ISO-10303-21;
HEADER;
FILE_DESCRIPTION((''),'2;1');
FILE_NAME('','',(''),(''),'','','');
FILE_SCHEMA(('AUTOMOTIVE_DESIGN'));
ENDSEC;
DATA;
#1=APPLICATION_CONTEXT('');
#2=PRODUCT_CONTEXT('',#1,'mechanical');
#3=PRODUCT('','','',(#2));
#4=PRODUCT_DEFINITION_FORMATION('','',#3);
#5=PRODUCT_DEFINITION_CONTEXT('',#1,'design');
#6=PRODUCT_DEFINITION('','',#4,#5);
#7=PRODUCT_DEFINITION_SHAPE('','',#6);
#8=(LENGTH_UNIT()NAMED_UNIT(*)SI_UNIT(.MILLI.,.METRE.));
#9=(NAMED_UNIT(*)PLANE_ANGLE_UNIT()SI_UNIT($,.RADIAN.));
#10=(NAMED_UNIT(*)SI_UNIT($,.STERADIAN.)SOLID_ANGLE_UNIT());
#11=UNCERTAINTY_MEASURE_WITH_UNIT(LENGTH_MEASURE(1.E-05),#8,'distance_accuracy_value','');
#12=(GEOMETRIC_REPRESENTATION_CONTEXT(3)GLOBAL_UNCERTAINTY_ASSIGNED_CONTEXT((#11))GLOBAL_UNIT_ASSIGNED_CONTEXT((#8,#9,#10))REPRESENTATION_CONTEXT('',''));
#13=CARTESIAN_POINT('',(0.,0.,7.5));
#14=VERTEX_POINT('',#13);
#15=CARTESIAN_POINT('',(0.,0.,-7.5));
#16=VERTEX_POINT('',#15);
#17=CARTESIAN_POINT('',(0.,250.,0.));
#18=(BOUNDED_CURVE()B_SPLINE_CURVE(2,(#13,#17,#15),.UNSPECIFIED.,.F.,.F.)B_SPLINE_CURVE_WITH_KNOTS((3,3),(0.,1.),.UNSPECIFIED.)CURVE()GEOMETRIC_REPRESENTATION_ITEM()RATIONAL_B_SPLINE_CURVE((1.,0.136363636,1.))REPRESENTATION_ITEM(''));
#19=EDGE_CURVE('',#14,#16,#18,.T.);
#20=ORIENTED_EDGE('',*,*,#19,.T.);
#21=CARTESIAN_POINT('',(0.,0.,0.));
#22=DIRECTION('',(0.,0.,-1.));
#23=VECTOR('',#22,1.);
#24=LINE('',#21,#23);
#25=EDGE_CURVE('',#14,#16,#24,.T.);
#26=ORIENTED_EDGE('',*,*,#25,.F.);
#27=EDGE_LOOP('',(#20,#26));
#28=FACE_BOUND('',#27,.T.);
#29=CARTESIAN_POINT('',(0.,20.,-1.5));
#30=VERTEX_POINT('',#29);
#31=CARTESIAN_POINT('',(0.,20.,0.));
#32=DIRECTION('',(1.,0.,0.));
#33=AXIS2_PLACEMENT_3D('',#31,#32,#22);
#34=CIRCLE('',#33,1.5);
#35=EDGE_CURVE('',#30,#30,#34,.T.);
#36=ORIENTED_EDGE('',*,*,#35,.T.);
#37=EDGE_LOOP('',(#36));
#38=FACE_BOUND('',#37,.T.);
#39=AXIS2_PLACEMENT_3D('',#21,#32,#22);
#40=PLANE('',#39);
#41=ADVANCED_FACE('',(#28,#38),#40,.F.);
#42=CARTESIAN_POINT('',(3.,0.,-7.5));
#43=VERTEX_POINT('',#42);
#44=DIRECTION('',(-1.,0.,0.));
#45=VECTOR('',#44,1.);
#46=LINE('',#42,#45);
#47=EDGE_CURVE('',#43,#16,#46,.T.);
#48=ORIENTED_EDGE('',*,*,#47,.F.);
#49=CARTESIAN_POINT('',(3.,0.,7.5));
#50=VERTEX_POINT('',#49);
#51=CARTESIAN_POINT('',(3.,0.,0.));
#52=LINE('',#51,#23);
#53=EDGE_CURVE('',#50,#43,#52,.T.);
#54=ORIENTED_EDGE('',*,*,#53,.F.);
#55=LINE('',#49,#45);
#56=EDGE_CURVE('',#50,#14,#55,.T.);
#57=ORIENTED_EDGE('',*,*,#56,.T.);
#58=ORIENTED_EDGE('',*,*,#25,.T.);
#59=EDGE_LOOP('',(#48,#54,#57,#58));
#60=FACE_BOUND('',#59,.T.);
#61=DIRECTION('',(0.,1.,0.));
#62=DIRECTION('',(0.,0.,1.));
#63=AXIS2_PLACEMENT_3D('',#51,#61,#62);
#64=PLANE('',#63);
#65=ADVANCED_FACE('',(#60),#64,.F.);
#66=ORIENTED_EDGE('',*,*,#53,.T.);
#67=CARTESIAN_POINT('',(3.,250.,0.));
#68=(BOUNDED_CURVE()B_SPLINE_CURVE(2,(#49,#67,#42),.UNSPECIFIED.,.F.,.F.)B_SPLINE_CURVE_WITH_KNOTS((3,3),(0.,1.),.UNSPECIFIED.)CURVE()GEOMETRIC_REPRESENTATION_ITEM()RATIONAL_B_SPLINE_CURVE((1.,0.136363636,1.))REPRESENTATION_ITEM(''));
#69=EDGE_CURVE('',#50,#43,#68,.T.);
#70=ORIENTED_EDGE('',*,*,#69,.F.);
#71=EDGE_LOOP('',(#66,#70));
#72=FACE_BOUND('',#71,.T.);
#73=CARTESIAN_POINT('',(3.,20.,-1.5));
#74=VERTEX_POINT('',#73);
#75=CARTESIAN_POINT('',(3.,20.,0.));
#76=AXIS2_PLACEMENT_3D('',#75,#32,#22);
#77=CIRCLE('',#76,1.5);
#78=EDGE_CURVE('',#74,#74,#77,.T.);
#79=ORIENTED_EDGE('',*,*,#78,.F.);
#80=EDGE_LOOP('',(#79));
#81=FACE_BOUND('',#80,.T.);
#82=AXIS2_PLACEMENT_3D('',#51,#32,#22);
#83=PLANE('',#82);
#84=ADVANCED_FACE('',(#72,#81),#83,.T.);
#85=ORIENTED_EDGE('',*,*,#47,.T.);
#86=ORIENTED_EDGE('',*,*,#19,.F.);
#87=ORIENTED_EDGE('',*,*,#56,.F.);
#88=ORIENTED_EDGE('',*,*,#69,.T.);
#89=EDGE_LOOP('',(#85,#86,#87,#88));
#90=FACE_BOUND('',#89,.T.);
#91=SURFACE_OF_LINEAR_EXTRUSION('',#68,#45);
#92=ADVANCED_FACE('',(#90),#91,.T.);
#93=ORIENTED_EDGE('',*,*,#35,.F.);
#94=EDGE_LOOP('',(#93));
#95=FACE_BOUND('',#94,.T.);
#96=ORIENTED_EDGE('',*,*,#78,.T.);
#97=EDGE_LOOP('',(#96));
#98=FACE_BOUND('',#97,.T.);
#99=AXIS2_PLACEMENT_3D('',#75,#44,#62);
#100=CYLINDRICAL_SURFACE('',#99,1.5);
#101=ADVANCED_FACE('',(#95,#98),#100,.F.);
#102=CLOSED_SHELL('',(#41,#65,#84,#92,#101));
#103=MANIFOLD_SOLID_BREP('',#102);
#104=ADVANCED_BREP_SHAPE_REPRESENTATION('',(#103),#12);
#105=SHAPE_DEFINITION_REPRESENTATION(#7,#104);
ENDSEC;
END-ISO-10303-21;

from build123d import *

# Parameters (mm, degrees)
SKETCH2_R           = 1.5
BOSS_EXTRUDE1_DEPTH = 3


with BuildPart() as part:
    # Sketch2 → Boss-Extrude1 (new body)
    with BuildSketch(Plane(origin=(0, 0, 0), x_dir=(0, 0, -1), z_dir=(1, 0, 0))):
        with BuildLine():
            add(Edge.make_bspline(
                [(-7.5, 0), (0, 250), (7.5, 0)],
                knots=[0, 0, 0, 1, 1, 1], degree=2, weights=[1, 0.136363636, 1]))
            Line((7.5, 0), (-7.5, 0))
        make_face()
        with Locations((0, 20)):
            Circle(SKETCH2_R, mode=Mode.SUBTRACT)
    extrude(amount=BOSS_EXTRUDE1_DEPTH)


solid = part.part
